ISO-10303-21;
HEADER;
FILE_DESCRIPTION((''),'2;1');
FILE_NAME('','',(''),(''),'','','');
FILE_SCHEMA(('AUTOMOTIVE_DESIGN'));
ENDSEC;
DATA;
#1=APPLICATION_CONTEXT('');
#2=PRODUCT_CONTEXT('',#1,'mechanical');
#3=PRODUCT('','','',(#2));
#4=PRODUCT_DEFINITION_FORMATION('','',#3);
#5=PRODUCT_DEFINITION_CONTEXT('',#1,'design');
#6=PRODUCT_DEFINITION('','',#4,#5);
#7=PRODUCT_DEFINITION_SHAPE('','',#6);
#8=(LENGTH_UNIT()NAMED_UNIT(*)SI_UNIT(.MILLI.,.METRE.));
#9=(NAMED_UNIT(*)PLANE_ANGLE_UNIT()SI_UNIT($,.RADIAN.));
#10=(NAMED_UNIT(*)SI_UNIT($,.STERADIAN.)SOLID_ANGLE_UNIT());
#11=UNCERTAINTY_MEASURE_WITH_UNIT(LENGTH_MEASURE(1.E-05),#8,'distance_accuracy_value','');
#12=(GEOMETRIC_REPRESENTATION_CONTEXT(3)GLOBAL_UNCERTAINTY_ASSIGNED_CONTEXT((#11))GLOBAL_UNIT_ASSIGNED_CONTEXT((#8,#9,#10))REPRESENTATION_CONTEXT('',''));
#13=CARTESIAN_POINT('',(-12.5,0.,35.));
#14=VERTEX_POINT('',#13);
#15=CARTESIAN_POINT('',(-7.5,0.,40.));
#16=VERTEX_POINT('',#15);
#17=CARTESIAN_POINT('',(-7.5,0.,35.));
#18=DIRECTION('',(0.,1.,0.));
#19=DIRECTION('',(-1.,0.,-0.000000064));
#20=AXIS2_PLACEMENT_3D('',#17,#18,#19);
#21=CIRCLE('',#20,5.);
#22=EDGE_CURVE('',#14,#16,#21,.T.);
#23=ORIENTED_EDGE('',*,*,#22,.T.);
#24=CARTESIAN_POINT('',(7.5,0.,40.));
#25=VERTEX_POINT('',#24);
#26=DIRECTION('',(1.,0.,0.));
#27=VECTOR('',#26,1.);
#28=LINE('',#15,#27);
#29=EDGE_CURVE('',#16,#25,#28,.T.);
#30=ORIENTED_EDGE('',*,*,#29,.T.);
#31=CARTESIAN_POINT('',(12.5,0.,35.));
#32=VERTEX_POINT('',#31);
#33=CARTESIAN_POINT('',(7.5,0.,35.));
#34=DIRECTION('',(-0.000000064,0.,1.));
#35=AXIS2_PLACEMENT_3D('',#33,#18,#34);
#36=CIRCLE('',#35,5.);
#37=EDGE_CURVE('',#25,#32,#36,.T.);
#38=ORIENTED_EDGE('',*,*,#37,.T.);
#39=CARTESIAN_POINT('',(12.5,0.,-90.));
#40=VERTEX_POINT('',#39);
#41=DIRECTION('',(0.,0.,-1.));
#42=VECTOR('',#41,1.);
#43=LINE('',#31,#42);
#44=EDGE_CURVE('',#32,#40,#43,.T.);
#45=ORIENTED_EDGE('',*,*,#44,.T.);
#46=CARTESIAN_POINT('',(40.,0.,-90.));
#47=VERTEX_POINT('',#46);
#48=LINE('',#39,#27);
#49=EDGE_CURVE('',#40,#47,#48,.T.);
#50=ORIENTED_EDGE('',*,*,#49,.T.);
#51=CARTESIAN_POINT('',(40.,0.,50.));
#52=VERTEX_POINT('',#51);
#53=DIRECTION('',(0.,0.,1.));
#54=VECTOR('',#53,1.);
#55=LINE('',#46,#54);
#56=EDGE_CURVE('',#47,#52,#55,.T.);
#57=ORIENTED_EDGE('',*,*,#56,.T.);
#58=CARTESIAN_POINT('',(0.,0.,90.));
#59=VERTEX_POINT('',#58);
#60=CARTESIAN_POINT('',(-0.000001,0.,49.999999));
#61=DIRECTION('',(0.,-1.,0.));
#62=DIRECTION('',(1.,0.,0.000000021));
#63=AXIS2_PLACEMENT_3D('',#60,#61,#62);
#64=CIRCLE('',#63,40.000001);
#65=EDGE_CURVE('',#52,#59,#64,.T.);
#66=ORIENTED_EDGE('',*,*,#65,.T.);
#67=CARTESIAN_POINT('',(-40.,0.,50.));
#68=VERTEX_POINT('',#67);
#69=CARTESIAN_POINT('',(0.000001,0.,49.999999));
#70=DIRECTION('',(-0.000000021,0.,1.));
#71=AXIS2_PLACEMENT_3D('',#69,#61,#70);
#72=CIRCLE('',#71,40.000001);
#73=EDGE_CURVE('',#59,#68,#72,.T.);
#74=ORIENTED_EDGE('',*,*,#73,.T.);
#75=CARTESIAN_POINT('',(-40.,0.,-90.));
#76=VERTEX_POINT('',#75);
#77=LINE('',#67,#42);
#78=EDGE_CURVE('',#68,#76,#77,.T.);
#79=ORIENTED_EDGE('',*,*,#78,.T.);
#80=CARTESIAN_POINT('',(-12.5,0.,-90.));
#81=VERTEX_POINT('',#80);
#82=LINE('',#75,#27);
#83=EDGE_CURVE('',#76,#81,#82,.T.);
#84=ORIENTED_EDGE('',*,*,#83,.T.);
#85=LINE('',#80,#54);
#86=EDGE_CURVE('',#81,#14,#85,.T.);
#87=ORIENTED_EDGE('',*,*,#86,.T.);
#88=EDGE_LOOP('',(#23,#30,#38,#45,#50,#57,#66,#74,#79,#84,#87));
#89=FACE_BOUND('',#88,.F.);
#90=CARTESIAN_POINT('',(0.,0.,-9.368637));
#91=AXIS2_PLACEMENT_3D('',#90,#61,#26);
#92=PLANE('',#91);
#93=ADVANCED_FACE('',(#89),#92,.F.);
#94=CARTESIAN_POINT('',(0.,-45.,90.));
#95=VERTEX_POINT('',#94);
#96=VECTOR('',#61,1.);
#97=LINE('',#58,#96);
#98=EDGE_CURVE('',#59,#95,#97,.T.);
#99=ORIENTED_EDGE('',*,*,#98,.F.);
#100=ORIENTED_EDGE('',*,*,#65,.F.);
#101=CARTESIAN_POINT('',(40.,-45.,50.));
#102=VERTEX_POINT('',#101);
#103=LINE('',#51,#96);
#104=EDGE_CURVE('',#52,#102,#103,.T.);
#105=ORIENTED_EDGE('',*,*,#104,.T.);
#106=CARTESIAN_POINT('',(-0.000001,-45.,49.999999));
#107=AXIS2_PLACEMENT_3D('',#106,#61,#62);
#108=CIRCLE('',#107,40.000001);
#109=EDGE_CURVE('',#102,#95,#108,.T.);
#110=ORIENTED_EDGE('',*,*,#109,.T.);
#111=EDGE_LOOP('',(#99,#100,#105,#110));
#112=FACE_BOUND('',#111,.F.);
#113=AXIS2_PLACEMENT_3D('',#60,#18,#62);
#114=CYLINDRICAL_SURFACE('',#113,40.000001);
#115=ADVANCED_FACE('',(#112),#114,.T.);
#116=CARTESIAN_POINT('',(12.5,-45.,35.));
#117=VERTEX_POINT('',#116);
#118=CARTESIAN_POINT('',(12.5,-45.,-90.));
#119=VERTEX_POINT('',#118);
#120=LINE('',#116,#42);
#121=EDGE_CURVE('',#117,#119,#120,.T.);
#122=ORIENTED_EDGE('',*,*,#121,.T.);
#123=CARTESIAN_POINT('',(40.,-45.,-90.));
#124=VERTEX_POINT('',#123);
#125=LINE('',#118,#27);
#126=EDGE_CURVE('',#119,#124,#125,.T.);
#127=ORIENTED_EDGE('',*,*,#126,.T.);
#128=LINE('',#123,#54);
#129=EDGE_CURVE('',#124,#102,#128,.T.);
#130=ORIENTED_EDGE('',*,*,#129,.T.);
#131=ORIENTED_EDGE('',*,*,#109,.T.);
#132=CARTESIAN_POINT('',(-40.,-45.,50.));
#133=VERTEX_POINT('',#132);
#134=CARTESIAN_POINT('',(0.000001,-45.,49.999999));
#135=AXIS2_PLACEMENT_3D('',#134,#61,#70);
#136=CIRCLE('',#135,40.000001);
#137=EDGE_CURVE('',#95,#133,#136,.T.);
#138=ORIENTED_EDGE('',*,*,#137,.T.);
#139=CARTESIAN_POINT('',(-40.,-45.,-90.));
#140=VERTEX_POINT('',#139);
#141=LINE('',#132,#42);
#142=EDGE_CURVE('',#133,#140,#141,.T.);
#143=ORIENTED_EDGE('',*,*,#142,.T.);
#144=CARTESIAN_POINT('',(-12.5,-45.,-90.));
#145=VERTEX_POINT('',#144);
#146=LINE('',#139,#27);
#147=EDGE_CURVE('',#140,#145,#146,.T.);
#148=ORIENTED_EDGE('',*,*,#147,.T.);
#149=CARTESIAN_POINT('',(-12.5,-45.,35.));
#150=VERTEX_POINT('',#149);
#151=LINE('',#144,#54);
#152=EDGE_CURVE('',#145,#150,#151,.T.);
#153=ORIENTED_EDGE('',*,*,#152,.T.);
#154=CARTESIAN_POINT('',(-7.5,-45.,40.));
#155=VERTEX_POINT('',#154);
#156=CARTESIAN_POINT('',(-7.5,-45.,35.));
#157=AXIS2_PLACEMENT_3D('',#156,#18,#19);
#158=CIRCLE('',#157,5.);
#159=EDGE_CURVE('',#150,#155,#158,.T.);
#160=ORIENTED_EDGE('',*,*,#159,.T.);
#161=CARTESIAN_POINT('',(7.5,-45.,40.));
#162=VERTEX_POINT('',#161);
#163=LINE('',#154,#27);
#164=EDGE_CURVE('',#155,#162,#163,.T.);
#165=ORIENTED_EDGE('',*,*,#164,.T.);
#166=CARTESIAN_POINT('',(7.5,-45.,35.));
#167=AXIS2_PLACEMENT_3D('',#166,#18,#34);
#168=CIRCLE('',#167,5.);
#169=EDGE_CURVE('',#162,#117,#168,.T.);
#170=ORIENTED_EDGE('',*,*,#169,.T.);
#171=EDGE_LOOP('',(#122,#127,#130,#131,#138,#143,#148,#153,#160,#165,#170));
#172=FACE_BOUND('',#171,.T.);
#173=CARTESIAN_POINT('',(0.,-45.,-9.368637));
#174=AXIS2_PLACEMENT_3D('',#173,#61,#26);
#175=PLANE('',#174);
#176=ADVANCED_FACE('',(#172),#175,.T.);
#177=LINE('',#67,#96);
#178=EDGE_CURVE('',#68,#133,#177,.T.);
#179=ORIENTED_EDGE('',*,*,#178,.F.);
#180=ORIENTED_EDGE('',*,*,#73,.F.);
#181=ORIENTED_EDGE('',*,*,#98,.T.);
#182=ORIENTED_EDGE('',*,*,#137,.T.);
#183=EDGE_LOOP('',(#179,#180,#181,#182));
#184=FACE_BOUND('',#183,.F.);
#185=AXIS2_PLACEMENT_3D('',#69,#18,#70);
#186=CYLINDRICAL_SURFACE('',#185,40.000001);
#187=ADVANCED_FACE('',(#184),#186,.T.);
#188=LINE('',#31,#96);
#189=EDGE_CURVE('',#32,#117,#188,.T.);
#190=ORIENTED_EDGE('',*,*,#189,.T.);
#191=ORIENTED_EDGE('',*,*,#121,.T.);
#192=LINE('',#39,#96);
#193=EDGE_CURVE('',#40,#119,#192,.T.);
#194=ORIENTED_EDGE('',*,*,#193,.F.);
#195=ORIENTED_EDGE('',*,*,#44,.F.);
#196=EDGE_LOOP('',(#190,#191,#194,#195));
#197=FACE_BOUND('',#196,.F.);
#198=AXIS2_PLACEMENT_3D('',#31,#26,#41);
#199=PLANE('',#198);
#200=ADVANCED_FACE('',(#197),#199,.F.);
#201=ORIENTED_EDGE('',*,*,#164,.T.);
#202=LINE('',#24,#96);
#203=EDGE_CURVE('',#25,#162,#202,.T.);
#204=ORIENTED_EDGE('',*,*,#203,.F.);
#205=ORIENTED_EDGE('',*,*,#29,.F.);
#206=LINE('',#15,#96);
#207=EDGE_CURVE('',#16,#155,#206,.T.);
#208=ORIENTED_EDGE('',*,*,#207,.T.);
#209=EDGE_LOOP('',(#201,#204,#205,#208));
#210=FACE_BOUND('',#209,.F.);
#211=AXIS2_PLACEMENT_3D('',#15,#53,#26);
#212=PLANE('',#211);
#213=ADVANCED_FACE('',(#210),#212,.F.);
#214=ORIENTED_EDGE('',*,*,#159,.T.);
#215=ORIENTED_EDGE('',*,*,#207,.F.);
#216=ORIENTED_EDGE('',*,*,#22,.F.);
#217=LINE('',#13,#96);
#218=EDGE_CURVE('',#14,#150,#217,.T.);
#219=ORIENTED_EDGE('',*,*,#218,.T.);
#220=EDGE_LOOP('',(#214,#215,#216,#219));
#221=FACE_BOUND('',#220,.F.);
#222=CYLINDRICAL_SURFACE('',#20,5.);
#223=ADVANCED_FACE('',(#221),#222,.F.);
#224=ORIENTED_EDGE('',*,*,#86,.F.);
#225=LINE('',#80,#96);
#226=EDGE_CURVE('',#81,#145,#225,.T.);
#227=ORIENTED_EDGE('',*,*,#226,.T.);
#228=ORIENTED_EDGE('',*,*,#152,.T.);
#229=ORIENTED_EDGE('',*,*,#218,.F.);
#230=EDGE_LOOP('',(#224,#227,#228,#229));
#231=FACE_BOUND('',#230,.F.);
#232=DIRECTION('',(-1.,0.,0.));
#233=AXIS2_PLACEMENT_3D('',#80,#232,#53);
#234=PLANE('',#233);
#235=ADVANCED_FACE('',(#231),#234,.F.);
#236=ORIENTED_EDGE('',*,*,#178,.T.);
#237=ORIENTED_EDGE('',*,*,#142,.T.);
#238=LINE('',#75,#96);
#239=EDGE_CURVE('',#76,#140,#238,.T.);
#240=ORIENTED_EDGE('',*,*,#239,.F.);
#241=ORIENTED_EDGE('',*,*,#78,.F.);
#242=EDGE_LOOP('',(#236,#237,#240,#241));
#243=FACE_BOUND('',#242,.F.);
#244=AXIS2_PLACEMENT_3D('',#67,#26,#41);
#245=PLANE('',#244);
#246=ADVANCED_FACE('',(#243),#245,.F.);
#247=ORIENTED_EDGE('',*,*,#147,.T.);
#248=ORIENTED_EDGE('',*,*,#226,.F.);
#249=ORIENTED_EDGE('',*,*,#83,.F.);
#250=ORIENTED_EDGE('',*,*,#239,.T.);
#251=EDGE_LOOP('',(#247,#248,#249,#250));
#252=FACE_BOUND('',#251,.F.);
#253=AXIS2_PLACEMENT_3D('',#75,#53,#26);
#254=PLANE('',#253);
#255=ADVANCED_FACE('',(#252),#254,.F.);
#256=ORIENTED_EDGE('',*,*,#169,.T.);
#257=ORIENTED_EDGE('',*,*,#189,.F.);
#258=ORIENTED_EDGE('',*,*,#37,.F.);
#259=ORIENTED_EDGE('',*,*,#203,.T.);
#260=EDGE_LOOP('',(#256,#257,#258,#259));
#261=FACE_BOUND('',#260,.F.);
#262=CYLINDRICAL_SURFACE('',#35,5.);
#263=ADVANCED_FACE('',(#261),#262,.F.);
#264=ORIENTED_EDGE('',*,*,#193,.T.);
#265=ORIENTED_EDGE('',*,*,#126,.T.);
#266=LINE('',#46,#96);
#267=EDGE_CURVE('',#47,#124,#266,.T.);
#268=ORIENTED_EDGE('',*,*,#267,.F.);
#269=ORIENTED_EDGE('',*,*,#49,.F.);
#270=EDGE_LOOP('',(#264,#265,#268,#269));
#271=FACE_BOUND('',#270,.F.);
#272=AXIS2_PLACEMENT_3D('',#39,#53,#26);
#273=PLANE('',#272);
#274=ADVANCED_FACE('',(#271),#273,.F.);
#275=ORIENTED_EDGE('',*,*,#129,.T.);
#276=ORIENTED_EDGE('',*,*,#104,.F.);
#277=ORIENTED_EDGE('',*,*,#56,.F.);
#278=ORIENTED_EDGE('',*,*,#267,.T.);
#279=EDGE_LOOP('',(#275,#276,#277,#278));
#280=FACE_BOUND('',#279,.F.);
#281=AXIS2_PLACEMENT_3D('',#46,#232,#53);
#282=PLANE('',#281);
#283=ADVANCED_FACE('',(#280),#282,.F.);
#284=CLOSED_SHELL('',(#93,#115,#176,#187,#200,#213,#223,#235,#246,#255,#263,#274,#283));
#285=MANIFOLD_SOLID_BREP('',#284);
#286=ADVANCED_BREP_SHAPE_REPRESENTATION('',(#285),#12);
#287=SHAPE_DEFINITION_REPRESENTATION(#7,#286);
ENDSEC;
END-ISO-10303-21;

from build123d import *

# Parameters (mm, degrees)
F1_DEPTH = 45


with BuildPart() as f1:
    # F0 (on Front) → F1 (new body)
    with BuildSketch(Plane.XZ):
        with BuildLine():
            Line((12.5, -90), (40, -90))
            Line((40, -90), (40, 50))
            ThreePointArc((40, 50), (28.284271, 78.284271), (0, 90))
            ThreePointArc((0, 90), (-28.284271, 78.284271), (-40, 50))
            Line((-40, 50), (-40, -90))
            Line((-40, -90), (-12.5, -90))
            Line((-12.5, -90), (-12.5, 35))
            ThreePointArc((-12.5, 35), (-11.035534, 38.535534), (-7.5, 40))
            Line((-7.5, 40), (7.5, 40))
            ThreePointArc((7.5, 40), (11.035534, 38.535534), (12.5, 35))
            Line((12.5, 35), (12.5, -90))
        make_face()
    extrude(amount=F1_DEPTH)


solid = f1.part
